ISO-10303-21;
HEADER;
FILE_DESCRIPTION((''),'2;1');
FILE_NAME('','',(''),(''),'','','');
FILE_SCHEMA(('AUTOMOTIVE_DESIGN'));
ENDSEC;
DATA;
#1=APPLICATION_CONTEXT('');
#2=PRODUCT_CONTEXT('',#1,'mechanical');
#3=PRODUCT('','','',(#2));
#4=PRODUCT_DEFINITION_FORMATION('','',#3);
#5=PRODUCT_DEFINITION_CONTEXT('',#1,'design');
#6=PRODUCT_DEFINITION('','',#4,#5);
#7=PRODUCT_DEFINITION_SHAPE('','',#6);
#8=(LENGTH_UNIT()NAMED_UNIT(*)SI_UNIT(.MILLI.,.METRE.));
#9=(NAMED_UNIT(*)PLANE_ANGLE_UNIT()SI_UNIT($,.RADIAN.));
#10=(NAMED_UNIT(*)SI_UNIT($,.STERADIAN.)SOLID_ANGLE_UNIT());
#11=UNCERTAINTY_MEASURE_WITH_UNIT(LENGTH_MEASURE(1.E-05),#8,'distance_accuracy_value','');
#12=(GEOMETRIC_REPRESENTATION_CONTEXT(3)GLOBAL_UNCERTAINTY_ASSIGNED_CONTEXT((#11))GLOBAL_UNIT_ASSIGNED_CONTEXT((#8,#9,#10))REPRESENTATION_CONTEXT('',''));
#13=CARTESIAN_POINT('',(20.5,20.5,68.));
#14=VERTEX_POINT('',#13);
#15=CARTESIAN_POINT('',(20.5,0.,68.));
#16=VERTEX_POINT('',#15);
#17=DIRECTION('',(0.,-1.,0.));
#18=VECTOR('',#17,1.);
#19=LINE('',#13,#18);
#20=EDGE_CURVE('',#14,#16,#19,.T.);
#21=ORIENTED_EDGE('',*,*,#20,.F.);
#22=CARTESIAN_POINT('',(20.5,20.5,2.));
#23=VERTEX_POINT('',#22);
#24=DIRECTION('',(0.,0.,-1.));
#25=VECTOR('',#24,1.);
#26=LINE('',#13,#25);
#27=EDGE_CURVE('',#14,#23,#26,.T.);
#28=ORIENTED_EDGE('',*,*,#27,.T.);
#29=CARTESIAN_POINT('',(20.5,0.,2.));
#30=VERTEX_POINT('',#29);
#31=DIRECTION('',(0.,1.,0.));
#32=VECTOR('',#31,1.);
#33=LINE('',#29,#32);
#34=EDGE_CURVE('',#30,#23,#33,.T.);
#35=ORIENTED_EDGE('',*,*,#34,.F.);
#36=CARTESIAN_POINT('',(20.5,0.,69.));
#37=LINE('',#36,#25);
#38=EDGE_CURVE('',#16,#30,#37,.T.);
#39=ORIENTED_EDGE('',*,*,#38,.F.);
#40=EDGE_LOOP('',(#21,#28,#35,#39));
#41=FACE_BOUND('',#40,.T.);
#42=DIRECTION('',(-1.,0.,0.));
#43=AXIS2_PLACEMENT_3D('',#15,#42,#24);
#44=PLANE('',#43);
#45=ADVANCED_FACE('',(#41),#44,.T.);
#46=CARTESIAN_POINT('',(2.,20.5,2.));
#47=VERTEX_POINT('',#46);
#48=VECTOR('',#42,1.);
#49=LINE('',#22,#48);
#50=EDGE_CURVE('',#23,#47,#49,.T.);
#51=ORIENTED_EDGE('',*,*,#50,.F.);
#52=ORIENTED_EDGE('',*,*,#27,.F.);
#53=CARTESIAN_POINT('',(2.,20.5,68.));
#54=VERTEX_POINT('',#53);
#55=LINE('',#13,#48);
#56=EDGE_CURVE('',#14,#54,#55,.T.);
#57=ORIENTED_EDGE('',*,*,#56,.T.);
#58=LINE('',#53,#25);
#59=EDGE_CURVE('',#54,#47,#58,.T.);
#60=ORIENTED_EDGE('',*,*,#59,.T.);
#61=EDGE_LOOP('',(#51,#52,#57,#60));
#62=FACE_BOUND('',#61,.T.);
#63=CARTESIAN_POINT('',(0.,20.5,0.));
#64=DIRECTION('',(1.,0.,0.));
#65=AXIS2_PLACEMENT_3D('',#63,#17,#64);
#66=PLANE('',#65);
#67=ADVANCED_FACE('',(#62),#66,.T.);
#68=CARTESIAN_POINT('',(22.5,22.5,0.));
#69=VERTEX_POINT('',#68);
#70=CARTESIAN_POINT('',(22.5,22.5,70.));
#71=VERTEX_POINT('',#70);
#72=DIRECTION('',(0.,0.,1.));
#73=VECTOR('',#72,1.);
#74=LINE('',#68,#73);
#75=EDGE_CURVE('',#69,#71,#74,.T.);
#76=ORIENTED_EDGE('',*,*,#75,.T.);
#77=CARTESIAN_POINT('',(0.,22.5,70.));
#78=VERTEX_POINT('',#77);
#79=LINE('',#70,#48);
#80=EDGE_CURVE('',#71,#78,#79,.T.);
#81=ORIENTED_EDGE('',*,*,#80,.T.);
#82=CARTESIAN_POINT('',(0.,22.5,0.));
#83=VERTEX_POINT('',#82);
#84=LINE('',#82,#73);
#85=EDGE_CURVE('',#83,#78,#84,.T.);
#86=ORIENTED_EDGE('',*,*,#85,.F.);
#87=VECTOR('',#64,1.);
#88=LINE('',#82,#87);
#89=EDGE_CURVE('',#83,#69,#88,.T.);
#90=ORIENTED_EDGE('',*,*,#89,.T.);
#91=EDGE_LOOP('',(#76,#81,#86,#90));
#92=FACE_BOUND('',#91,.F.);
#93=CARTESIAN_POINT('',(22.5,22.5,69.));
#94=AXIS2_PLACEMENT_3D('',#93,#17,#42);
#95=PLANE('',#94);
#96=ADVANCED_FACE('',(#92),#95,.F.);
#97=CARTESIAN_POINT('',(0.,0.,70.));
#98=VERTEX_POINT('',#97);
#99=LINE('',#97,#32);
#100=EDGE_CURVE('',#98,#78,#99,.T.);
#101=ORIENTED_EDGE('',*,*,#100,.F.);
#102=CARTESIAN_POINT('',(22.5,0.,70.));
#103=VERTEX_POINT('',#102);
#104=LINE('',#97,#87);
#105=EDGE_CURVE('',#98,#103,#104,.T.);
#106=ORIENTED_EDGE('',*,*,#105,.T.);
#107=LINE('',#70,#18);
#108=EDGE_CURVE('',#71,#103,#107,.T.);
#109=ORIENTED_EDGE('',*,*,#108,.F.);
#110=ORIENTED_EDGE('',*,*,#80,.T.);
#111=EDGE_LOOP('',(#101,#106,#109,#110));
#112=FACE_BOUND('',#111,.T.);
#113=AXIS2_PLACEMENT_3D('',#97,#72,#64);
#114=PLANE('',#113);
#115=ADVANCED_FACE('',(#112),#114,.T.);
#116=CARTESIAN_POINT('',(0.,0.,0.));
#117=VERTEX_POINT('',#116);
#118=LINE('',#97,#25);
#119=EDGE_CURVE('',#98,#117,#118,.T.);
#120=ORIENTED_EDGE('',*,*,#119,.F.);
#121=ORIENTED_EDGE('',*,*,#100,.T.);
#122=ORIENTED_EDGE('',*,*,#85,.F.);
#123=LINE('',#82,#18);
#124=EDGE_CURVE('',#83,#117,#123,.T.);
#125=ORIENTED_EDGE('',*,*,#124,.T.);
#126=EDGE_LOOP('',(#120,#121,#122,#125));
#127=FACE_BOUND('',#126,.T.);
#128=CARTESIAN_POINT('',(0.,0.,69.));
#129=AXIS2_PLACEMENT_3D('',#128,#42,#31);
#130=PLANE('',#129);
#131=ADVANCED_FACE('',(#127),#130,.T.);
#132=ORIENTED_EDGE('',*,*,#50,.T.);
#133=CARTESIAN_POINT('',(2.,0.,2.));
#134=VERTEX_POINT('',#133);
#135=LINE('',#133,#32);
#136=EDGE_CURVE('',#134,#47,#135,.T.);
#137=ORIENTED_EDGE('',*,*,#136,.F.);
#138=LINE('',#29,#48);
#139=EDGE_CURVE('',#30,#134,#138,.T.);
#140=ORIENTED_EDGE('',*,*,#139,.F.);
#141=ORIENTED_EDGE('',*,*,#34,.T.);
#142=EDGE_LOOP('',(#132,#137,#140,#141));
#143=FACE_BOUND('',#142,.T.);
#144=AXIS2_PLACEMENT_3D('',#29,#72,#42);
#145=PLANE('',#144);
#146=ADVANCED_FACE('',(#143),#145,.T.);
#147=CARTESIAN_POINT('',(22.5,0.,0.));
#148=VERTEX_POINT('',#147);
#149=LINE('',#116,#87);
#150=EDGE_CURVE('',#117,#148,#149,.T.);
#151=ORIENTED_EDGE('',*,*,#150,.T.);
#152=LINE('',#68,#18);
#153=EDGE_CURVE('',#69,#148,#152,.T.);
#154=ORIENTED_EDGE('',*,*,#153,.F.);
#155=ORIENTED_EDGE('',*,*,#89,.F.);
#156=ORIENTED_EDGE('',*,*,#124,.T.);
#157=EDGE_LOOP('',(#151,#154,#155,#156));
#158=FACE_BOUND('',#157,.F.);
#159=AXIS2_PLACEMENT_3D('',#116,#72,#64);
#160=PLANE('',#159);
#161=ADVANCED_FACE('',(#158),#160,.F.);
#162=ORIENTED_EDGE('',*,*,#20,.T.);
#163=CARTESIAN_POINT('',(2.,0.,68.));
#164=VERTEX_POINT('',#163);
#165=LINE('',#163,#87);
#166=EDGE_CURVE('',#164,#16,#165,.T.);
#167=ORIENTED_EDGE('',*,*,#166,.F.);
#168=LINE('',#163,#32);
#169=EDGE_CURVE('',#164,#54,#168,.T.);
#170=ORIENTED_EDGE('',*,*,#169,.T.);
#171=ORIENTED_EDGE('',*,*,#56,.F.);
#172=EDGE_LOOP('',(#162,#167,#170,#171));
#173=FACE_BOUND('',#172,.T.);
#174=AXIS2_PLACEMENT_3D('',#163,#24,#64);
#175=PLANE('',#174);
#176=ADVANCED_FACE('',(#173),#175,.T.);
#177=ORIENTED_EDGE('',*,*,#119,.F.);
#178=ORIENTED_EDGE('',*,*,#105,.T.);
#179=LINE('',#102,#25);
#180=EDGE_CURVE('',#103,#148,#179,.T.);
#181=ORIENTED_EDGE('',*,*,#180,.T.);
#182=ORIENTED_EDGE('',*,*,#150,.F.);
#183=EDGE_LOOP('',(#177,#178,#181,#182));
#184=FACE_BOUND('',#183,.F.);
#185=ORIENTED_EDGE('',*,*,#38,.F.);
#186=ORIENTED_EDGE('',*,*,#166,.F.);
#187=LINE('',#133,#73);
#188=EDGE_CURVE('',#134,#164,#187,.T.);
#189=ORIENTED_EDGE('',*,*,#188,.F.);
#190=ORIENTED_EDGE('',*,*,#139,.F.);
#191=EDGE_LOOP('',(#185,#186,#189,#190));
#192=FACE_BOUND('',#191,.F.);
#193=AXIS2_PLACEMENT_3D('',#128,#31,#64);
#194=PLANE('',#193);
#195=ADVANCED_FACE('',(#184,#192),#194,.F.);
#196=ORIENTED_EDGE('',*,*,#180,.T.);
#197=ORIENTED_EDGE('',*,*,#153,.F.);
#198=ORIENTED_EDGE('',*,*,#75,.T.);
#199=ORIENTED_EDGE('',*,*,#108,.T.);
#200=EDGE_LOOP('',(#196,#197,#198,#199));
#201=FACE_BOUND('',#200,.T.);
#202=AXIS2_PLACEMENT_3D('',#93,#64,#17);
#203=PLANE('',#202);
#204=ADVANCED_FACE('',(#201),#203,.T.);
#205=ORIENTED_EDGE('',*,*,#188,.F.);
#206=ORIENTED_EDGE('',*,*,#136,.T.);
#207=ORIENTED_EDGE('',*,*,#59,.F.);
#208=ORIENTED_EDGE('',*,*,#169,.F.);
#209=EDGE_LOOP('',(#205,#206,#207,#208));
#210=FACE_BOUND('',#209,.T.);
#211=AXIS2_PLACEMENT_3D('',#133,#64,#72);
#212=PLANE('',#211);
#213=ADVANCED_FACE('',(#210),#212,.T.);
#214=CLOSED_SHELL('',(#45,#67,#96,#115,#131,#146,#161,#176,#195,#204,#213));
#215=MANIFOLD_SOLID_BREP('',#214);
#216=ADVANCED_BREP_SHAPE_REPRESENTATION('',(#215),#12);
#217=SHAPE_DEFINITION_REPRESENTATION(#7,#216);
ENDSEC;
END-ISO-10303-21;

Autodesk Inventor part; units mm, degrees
ref_plane "YZ Plane" through (0, 0, 0) normal (1, 0, 0) x (0, 1, 0)
ref_plane "XZ Plane" through (0, 0, 0) normal (0, 1, 0) x (-1, 0, 0)
ref_plane "XY Plane" through (0, 0, 0) normal (0, 0, 1) x (1, 0, 0)
sketch "Sketch1" plane through (0, 0, 0) normal (0, 0, 1) x (1, 0, 0)
  line L0 (0, 0) -> (22.5, 0)
  line L1 (22.5, 0) -> (22.5, 22.5)
  line L2 (22.5, 22.5) -> (0, 22.5)
  line L3 (0, 22.5) -> (0, 0)
  line L4 (0, 0) -> (20.5, 0)
  line L5 (20.5, 0) -> (20.5, 2)
  line L6 (20.5, 2) -> (0, 2)
  line L7 (0, 2) -> (0, 0)
  line L8 (22.5, 0) -> (20.5, 0)
  line L9 (20.5, 0) -> (20.5, 20.5)
  line L10 (20.5, 20.5) -> (22.5, 20.5)
  line L11 (22.5, 20.5) -> (22.5, 0)
  line L12 (22.5, 22.5) -> (2, 22.5)
  line L13 (2, 22.5) -> (2, 20.5)
  line L14 (2, 20.5) -> (22.5, 20.5)
  line L15 (22.5, 20.5) -> (22.5, 22.5)
  line L16 (0, 22.5) -> (2, 22.5)
  line L17 (2, 22.5) -> (2, 2)
  line L18 (2, 2) -> (0, 2)
  line L19 (0, 2) -> (0, 22.5)
  line L20 (2, 2) -> (20.5, 2)
  line L21 (20.5, 2) -> (20.5, 20.5)
  line L22 (20.5, 20.5) -> (2, 20.5)
  line L23 (2, 20.5) -> (2, 2)
  dimension "d0" = 22.5
  dimension "d1" = 22.5
  dimension "d2" = 20.5
  dimension "d3" = 2
  dimension "d4" = 2
  dimension "d5" = 20.5
  dimension "d6" = 20.5
  dimension "d7" = 2
  dimension "d8" = 2
  dimension "d9" = 20.5
  dimension "d10" = 18.5
  dimension "d11" = 18.5
extrude "Extrusion1" add sketch "Sketch1" along normal blind 69
sketch "Sketch2" plane through (0, 0, 0) normal (0, -1, 0) x (1, 0, 0)
  line L0 (0, 69) -> (22.5, 69) projected
  line L1 (22.5, 69) -> (20.5, 69)
  line L2 (20.5, 69) -> (20.5, 2)
  line L3 (20.5, 2) -> (22.5, 2)
  line L4 (22.5, 2) -> (22.5, 69)
  line L5 (20.5, 2) -> (2, 2)
  line L6 (2, 2) -> (2, 68)
  line L7 (2, 68) -> (20.5, 68)
  line L8 (20.5, 68) -> (20.5, 2)
  point P0 (0, 0)
  dimension "d14" = 2
  dimension "d15" = 67
  dimension "d16" = 18.5
  dimension "d17" = 66
extrude "Extrusion2" cut sketch "Sketch2" against normal blind 18.5 contours L2 L5 L6 L7
sketch "Sketch3" plane through (0, 0, 69) normal (0, 0, 1) x (1, 0, 0)
  line L0 (22.5, 22.5) -> (0, 22.5) projected
  line L1 (0, 0) -> (22.5, 0) projected
  line L2 (0, 22.5) -> (22.5, 22.5)
  line L3 (22.5, 22.5) -> (22.5, 0)
  line L4 (22.5, 0) -> (0, 0)
  line L5 (0, 0) -> (0, 22.5)
  dimension "d20" = 22.5
  dimension "d21" = 22.5
extrude "Extrusion3" add sketch "Sketch3" along normal blind 1
sketch "Sketch4" plane through (0, 18.5, 0) normal (0, -1, 0) x (1, 0, 0)
  point P0 (0, 0)
sketch "Sketch5" plane through (0, 18.5, 0) normal (0, -1, 0) x (1, 0, 0)
  line L0 (20.5, 2) -> (2, 2) projected
  line L1 (20.5, 68) -> (20.5, 2) projected
  line L2 (2, 2) -> (20.5, 2)
  line L3 (20.5, 2) -> (20.5, 68)
  line L4 (20.5, 68) -> (2, 68)
  line L5 (2, 68) -> (2, 2)
  point P0 (0, 0)
  dimension "d24" = 18.5
  dimension "d25" = 66
extrude "Extrusion4" cut sketch "Sketch5" against normal blind 2
properties part number "1-Battery-Case"
